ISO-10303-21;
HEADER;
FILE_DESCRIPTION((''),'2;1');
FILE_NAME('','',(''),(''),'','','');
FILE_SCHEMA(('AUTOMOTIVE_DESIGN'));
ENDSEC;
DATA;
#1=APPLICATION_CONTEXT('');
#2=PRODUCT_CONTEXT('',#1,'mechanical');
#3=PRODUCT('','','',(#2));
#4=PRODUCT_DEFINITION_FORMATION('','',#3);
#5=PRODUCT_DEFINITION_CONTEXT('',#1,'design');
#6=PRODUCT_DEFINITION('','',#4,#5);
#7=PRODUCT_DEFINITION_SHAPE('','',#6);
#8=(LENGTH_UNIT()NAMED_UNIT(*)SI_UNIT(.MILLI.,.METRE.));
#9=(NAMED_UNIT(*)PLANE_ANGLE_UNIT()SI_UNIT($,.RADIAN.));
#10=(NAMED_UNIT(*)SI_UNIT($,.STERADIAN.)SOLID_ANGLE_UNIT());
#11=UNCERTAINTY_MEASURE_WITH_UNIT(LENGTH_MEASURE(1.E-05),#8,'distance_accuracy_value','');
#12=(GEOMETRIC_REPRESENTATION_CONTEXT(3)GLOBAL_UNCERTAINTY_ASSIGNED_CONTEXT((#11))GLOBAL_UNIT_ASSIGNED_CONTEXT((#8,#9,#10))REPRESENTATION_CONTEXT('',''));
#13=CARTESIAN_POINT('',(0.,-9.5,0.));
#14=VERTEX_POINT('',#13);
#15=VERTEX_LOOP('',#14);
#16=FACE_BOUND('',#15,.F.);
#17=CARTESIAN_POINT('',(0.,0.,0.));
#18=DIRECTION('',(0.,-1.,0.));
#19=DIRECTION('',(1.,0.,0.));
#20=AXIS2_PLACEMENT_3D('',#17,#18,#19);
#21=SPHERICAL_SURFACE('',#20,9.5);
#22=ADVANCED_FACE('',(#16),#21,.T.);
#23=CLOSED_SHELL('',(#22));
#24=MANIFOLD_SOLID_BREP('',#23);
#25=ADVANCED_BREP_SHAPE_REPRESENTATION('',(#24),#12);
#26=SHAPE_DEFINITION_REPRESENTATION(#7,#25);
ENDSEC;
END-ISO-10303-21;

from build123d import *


with BuildPart() as part:
    # Sketch1 → Revolve1 (revolve)
    with BuildSketch(Plane.XY):
        with BuildLine():
            Line((0, -9.5), (0, 9.5))
            ThreePointArc((0, 9.5), (9.5, 0), (0, -9.5))
        make_face()
    revolve(axis=Axis((0, -9.5, 0), (0, 1, 0)))


solid = part.part
